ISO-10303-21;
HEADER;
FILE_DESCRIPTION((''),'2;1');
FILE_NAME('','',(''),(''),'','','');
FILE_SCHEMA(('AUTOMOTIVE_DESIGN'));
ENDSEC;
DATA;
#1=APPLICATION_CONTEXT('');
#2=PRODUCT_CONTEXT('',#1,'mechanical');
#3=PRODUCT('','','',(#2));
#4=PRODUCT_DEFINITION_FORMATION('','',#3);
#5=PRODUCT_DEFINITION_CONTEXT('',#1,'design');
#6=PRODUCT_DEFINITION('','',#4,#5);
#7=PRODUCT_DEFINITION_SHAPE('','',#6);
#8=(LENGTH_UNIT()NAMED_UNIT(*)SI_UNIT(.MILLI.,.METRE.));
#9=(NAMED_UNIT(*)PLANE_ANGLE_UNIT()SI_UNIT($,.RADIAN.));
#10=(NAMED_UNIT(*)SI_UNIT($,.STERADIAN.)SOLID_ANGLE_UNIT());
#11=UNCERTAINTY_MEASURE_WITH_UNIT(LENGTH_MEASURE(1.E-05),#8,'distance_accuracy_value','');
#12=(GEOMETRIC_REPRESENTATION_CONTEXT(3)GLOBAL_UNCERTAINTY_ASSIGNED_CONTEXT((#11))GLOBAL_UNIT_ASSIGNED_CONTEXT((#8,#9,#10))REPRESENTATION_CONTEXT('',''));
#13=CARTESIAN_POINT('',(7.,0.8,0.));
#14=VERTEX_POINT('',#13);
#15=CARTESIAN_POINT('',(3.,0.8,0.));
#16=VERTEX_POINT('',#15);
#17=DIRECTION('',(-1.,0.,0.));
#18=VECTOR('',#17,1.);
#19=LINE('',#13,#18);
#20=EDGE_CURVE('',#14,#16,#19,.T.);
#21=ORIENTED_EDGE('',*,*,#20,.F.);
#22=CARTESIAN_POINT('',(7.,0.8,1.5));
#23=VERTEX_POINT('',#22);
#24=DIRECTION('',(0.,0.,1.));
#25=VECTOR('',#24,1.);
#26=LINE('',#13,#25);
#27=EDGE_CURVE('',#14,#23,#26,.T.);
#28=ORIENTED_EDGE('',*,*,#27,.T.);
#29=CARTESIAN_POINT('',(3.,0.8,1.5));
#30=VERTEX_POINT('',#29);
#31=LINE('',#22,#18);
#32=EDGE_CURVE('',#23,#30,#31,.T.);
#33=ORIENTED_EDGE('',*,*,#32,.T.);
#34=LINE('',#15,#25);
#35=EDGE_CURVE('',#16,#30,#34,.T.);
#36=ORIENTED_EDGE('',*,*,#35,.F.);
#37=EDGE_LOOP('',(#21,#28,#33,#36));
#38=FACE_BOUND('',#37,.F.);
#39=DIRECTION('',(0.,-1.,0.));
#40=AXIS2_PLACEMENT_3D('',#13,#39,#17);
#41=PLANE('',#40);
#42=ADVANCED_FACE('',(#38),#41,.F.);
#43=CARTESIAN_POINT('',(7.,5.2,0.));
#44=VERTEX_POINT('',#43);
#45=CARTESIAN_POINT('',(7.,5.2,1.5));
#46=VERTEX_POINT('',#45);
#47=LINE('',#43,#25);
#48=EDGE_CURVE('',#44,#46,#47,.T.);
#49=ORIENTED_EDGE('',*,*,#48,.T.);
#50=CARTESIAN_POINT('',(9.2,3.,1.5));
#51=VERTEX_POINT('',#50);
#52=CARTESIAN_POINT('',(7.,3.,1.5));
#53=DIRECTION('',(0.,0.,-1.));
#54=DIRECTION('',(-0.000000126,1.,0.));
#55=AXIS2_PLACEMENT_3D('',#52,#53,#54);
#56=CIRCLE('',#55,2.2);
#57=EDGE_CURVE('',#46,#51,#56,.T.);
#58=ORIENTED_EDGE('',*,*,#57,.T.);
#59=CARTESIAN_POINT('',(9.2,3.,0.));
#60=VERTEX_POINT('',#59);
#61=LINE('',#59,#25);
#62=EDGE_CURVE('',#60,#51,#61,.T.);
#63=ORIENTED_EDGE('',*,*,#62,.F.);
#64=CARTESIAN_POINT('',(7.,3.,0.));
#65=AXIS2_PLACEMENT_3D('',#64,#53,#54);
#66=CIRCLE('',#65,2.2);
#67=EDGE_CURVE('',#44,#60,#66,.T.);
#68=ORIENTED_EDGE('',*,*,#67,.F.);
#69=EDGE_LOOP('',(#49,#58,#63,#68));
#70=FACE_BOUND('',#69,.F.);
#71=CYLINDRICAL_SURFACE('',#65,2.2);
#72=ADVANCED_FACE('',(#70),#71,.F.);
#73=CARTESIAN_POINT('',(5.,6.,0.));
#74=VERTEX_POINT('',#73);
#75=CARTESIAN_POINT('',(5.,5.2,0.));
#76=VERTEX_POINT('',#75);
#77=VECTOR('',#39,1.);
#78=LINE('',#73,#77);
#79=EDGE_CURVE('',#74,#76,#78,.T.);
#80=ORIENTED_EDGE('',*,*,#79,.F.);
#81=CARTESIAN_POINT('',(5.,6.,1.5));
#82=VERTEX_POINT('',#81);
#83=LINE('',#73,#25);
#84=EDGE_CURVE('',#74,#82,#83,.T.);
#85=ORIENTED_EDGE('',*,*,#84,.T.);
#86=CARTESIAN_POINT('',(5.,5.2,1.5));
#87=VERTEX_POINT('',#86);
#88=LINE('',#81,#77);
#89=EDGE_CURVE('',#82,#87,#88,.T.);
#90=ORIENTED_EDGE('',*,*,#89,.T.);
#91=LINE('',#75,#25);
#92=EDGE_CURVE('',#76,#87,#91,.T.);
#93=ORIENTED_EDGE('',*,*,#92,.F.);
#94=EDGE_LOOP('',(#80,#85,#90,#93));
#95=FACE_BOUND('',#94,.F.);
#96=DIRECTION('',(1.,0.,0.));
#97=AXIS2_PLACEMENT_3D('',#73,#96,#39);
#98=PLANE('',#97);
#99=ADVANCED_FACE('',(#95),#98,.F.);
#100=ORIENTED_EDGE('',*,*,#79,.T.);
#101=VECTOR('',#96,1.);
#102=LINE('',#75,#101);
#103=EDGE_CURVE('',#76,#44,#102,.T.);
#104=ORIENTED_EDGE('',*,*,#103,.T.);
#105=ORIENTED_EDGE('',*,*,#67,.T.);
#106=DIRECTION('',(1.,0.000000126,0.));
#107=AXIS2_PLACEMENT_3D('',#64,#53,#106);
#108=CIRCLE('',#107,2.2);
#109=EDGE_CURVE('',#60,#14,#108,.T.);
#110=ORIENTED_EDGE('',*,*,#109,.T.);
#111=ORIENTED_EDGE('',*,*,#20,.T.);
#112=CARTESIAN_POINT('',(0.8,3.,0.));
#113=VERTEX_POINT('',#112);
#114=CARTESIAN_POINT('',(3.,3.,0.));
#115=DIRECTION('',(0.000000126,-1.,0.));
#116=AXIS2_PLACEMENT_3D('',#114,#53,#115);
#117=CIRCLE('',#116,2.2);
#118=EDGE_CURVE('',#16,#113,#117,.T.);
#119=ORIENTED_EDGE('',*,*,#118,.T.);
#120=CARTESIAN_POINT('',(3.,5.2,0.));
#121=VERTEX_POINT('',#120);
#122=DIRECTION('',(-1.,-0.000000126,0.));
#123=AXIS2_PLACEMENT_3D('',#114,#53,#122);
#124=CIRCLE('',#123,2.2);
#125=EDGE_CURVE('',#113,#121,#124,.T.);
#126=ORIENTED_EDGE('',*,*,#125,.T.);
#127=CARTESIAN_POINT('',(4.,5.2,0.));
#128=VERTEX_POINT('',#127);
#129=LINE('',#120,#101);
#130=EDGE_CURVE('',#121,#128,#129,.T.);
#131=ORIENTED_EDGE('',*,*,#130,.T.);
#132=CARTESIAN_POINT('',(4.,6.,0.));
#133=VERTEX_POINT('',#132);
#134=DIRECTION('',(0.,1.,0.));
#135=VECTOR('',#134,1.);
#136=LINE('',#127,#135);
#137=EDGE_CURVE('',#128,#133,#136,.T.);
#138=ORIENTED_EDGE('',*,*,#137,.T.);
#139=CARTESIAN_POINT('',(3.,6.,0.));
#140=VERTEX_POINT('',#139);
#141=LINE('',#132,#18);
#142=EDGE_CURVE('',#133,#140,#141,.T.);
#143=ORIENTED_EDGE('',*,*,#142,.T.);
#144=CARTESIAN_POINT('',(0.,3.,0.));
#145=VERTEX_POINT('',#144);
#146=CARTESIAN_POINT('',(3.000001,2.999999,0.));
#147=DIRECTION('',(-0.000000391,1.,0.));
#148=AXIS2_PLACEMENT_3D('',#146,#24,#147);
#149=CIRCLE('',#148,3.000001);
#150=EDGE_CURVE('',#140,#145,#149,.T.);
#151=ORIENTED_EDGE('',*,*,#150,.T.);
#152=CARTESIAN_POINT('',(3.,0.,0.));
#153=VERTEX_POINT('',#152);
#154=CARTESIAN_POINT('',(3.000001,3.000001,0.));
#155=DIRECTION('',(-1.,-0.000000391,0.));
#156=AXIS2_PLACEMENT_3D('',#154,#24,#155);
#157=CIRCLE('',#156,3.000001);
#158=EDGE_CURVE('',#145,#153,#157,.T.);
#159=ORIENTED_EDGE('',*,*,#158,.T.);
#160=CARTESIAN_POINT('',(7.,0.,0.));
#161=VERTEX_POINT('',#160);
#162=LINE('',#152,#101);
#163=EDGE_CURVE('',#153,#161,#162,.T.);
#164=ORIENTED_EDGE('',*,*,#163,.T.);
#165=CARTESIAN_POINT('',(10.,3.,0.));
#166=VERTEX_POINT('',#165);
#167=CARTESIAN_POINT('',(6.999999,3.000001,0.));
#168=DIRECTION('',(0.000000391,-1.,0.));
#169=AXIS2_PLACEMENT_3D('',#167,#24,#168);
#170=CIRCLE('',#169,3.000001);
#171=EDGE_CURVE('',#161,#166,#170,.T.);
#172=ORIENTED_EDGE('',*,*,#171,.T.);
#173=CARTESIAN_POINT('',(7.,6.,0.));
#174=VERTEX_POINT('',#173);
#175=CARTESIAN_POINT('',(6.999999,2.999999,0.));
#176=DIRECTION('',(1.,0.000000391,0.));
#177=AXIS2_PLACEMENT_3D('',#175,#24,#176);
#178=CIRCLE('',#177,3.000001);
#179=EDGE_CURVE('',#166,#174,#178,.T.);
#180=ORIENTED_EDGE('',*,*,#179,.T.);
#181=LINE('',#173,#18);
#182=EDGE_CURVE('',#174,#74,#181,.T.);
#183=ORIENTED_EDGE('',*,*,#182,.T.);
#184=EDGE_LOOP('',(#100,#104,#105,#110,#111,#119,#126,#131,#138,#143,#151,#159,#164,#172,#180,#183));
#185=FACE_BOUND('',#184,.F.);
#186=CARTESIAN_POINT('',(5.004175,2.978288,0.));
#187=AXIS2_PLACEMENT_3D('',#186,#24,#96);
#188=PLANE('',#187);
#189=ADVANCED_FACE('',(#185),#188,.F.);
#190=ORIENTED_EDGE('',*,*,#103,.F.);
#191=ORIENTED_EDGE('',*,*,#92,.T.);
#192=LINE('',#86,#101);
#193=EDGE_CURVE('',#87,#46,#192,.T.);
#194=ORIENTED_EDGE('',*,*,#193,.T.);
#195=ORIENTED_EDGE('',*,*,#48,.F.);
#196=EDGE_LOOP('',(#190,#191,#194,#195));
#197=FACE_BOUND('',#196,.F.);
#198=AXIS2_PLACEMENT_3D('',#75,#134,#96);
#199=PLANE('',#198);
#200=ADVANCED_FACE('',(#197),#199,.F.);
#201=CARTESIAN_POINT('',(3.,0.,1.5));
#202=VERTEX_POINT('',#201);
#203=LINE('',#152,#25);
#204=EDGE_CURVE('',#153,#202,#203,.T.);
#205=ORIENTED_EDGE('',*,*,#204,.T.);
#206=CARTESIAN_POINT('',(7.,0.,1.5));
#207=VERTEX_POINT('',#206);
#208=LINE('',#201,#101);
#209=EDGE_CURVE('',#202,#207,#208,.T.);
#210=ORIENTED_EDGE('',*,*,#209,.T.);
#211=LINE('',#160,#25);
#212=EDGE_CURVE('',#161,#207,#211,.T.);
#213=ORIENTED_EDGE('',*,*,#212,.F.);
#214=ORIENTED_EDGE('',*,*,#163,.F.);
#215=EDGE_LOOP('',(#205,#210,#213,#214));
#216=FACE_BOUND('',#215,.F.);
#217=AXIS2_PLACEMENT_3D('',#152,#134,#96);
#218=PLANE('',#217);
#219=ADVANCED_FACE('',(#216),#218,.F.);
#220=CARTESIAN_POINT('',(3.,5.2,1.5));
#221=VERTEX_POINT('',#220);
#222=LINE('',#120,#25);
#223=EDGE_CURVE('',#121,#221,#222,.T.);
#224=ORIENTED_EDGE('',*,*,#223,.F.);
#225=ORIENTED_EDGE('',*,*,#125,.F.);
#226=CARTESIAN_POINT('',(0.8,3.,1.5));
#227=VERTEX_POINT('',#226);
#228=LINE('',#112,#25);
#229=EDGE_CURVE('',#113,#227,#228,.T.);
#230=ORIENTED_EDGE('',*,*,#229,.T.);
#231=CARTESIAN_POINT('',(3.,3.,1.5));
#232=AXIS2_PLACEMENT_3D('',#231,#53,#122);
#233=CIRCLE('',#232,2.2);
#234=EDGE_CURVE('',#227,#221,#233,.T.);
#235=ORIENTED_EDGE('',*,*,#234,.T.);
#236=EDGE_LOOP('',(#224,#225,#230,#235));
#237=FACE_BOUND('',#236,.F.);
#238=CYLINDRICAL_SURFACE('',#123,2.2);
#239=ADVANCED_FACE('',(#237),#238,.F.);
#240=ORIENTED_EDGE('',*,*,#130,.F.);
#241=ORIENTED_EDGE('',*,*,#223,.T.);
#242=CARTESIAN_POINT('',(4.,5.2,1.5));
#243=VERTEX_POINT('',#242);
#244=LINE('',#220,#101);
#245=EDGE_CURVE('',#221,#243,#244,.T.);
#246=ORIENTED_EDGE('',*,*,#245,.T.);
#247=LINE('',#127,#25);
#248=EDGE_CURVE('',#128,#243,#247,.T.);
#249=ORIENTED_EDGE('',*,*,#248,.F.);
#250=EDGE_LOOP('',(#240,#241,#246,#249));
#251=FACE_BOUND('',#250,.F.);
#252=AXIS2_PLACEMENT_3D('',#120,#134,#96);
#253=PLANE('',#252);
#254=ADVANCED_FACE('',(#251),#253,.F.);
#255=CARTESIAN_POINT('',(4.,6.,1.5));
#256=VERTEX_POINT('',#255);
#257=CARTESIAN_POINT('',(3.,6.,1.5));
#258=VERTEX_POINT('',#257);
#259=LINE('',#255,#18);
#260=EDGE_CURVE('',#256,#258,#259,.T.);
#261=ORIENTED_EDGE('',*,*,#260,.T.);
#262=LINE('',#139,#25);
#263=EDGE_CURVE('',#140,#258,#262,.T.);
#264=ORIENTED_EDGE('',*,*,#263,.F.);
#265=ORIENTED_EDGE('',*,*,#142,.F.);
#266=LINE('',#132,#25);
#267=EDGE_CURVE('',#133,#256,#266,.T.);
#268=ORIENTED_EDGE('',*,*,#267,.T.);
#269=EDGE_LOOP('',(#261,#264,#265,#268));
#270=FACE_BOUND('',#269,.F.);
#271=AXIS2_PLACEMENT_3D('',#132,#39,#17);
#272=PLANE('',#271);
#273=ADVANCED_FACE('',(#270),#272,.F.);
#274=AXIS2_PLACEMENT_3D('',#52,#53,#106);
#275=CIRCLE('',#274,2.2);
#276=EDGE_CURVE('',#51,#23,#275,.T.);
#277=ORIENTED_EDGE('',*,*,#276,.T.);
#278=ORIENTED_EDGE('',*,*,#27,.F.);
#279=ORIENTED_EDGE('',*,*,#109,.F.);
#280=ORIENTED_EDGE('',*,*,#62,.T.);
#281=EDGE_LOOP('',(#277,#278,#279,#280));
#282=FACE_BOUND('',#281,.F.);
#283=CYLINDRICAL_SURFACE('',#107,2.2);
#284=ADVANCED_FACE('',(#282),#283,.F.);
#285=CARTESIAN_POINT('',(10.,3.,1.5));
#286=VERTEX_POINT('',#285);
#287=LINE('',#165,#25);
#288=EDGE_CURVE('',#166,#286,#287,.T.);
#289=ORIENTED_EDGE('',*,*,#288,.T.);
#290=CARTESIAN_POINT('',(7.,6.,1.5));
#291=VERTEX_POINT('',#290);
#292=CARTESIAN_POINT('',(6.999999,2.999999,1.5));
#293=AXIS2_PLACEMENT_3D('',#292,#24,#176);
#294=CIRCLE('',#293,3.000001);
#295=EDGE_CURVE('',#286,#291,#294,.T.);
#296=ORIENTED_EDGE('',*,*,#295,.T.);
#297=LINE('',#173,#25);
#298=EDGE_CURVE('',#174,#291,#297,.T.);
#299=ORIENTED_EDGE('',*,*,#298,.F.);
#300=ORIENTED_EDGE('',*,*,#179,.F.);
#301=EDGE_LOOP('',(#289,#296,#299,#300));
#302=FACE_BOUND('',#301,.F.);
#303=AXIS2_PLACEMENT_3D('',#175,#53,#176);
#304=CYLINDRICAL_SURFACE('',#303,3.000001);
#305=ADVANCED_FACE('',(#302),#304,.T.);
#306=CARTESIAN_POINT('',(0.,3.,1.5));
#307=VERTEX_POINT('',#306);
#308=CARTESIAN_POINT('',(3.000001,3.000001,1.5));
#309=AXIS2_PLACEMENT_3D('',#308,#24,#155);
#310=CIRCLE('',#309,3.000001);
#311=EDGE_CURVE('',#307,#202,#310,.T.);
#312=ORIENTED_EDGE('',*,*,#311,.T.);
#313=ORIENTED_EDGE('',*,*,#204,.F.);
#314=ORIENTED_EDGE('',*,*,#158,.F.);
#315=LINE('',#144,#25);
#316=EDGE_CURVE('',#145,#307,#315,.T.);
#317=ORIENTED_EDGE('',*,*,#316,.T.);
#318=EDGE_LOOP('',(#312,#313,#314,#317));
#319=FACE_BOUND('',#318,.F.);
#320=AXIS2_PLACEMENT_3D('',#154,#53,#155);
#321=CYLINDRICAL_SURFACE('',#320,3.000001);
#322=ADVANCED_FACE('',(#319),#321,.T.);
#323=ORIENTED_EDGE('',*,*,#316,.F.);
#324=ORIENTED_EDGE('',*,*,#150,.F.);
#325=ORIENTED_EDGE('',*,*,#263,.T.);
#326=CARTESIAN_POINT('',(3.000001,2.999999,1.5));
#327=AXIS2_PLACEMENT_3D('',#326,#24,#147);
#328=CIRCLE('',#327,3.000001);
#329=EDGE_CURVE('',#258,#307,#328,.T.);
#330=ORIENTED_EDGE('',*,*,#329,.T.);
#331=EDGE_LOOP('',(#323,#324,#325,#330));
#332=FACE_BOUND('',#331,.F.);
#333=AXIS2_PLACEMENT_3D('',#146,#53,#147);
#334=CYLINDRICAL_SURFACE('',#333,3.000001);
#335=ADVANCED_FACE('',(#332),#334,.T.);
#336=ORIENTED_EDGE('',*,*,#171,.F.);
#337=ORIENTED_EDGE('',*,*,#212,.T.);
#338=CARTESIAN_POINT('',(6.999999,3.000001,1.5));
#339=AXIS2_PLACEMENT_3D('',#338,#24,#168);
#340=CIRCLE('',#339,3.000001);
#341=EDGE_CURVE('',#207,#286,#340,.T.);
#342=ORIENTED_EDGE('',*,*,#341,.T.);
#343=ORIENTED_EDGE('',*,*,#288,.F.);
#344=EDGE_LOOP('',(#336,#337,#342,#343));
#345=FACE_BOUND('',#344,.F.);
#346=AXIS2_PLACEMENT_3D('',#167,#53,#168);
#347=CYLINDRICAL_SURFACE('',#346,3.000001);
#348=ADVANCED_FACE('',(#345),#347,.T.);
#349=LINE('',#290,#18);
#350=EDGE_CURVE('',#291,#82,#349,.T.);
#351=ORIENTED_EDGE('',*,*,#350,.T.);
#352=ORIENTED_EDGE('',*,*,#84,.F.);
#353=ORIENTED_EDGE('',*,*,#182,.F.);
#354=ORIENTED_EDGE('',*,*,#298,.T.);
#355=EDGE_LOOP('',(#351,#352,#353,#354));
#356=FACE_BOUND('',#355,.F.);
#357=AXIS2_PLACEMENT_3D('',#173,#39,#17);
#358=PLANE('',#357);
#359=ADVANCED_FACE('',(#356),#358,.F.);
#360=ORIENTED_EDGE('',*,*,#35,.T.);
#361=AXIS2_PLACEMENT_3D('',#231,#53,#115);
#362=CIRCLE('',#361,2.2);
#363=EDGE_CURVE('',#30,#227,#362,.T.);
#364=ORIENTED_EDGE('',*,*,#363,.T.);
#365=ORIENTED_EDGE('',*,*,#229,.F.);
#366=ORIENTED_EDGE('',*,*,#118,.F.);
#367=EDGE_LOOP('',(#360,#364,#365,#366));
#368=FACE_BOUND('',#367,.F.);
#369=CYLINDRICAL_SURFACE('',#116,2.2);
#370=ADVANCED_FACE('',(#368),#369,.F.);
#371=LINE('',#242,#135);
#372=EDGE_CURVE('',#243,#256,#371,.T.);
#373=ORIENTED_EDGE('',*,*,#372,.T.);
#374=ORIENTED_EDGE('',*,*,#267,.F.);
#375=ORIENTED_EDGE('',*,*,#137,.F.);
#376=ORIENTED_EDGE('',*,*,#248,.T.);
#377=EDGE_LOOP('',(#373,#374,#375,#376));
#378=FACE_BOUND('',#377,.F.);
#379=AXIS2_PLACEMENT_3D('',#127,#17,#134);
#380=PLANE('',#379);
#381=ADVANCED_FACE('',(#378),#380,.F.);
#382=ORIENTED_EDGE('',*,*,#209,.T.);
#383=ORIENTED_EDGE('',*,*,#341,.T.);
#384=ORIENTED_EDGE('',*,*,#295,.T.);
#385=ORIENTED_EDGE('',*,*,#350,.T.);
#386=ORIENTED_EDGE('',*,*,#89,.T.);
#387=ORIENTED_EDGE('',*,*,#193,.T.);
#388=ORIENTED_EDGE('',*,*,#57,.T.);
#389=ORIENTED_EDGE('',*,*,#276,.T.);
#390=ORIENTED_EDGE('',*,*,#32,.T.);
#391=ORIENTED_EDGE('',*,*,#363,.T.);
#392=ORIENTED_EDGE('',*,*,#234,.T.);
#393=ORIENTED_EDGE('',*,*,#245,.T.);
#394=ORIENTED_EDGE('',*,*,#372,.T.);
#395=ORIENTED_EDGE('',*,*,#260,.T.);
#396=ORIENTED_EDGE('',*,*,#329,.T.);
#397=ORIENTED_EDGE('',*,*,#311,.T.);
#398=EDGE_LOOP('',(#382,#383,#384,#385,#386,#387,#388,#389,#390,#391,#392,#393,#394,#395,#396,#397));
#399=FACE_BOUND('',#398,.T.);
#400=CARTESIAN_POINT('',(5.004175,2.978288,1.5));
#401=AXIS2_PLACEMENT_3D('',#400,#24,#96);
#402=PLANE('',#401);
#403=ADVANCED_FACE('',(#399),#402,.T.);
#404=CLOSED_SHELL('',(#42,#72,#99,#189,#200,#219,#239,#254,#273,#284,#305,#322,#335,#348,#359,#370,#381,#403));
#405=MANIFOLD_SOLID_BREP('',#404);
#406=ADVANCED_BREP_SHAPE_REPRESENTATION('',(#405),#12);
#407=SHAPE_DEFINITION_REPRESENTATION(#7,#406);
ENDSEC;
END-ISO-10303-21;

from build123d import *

# Parameters (mm, degrees)
F1_DEPTH = 1.5


with BuildPart() as f1:
    # F0 (on Top) → F1 (new body)
    with BuildSketch(Plane.XY):
        with BuildLine():
            ThreePointArc((0, 3), (0.87868, 0.87868), (3, 0))
            Line((3, 0), (7, 0))
            ThreePointArc((7, 0), (9.12132, 0.87868), (10, 3))
            ThreePointArc((10, 3), (9.12132, 5.12132), (7, 6))
            Line((7, 6), (5, 6))
            Line((5, 6), (5, 5.2))
            Line((5, 5.2), (7, 5.2))
            ThreePointArc((7, 5.2), (8.555635, 4.555635), (9.2, 3))
            ThreePointArc((9.2, 3), (8.555635, 1.444365), (7, 0.8))
            Line((7, 0.8), (3, 0.8))
            ThreePointArc((3, 0.8), (1.444365, 1.444365), (0.8, 3))
            ThreePointArc((0.8, 3), (1.444365, 4.555635), (3, 5.2))
            Line((3, 5.2), (4, 5.2))
            Line((4, 5.2), (4, 6))
            Line((4, 6), (3, 6))
            ThreePointArc((3, 6), (0.87868, 5.12132), (0, 3))
        make_face()
    extrude(amount=F1_DEPTH)


solid = f1.part
